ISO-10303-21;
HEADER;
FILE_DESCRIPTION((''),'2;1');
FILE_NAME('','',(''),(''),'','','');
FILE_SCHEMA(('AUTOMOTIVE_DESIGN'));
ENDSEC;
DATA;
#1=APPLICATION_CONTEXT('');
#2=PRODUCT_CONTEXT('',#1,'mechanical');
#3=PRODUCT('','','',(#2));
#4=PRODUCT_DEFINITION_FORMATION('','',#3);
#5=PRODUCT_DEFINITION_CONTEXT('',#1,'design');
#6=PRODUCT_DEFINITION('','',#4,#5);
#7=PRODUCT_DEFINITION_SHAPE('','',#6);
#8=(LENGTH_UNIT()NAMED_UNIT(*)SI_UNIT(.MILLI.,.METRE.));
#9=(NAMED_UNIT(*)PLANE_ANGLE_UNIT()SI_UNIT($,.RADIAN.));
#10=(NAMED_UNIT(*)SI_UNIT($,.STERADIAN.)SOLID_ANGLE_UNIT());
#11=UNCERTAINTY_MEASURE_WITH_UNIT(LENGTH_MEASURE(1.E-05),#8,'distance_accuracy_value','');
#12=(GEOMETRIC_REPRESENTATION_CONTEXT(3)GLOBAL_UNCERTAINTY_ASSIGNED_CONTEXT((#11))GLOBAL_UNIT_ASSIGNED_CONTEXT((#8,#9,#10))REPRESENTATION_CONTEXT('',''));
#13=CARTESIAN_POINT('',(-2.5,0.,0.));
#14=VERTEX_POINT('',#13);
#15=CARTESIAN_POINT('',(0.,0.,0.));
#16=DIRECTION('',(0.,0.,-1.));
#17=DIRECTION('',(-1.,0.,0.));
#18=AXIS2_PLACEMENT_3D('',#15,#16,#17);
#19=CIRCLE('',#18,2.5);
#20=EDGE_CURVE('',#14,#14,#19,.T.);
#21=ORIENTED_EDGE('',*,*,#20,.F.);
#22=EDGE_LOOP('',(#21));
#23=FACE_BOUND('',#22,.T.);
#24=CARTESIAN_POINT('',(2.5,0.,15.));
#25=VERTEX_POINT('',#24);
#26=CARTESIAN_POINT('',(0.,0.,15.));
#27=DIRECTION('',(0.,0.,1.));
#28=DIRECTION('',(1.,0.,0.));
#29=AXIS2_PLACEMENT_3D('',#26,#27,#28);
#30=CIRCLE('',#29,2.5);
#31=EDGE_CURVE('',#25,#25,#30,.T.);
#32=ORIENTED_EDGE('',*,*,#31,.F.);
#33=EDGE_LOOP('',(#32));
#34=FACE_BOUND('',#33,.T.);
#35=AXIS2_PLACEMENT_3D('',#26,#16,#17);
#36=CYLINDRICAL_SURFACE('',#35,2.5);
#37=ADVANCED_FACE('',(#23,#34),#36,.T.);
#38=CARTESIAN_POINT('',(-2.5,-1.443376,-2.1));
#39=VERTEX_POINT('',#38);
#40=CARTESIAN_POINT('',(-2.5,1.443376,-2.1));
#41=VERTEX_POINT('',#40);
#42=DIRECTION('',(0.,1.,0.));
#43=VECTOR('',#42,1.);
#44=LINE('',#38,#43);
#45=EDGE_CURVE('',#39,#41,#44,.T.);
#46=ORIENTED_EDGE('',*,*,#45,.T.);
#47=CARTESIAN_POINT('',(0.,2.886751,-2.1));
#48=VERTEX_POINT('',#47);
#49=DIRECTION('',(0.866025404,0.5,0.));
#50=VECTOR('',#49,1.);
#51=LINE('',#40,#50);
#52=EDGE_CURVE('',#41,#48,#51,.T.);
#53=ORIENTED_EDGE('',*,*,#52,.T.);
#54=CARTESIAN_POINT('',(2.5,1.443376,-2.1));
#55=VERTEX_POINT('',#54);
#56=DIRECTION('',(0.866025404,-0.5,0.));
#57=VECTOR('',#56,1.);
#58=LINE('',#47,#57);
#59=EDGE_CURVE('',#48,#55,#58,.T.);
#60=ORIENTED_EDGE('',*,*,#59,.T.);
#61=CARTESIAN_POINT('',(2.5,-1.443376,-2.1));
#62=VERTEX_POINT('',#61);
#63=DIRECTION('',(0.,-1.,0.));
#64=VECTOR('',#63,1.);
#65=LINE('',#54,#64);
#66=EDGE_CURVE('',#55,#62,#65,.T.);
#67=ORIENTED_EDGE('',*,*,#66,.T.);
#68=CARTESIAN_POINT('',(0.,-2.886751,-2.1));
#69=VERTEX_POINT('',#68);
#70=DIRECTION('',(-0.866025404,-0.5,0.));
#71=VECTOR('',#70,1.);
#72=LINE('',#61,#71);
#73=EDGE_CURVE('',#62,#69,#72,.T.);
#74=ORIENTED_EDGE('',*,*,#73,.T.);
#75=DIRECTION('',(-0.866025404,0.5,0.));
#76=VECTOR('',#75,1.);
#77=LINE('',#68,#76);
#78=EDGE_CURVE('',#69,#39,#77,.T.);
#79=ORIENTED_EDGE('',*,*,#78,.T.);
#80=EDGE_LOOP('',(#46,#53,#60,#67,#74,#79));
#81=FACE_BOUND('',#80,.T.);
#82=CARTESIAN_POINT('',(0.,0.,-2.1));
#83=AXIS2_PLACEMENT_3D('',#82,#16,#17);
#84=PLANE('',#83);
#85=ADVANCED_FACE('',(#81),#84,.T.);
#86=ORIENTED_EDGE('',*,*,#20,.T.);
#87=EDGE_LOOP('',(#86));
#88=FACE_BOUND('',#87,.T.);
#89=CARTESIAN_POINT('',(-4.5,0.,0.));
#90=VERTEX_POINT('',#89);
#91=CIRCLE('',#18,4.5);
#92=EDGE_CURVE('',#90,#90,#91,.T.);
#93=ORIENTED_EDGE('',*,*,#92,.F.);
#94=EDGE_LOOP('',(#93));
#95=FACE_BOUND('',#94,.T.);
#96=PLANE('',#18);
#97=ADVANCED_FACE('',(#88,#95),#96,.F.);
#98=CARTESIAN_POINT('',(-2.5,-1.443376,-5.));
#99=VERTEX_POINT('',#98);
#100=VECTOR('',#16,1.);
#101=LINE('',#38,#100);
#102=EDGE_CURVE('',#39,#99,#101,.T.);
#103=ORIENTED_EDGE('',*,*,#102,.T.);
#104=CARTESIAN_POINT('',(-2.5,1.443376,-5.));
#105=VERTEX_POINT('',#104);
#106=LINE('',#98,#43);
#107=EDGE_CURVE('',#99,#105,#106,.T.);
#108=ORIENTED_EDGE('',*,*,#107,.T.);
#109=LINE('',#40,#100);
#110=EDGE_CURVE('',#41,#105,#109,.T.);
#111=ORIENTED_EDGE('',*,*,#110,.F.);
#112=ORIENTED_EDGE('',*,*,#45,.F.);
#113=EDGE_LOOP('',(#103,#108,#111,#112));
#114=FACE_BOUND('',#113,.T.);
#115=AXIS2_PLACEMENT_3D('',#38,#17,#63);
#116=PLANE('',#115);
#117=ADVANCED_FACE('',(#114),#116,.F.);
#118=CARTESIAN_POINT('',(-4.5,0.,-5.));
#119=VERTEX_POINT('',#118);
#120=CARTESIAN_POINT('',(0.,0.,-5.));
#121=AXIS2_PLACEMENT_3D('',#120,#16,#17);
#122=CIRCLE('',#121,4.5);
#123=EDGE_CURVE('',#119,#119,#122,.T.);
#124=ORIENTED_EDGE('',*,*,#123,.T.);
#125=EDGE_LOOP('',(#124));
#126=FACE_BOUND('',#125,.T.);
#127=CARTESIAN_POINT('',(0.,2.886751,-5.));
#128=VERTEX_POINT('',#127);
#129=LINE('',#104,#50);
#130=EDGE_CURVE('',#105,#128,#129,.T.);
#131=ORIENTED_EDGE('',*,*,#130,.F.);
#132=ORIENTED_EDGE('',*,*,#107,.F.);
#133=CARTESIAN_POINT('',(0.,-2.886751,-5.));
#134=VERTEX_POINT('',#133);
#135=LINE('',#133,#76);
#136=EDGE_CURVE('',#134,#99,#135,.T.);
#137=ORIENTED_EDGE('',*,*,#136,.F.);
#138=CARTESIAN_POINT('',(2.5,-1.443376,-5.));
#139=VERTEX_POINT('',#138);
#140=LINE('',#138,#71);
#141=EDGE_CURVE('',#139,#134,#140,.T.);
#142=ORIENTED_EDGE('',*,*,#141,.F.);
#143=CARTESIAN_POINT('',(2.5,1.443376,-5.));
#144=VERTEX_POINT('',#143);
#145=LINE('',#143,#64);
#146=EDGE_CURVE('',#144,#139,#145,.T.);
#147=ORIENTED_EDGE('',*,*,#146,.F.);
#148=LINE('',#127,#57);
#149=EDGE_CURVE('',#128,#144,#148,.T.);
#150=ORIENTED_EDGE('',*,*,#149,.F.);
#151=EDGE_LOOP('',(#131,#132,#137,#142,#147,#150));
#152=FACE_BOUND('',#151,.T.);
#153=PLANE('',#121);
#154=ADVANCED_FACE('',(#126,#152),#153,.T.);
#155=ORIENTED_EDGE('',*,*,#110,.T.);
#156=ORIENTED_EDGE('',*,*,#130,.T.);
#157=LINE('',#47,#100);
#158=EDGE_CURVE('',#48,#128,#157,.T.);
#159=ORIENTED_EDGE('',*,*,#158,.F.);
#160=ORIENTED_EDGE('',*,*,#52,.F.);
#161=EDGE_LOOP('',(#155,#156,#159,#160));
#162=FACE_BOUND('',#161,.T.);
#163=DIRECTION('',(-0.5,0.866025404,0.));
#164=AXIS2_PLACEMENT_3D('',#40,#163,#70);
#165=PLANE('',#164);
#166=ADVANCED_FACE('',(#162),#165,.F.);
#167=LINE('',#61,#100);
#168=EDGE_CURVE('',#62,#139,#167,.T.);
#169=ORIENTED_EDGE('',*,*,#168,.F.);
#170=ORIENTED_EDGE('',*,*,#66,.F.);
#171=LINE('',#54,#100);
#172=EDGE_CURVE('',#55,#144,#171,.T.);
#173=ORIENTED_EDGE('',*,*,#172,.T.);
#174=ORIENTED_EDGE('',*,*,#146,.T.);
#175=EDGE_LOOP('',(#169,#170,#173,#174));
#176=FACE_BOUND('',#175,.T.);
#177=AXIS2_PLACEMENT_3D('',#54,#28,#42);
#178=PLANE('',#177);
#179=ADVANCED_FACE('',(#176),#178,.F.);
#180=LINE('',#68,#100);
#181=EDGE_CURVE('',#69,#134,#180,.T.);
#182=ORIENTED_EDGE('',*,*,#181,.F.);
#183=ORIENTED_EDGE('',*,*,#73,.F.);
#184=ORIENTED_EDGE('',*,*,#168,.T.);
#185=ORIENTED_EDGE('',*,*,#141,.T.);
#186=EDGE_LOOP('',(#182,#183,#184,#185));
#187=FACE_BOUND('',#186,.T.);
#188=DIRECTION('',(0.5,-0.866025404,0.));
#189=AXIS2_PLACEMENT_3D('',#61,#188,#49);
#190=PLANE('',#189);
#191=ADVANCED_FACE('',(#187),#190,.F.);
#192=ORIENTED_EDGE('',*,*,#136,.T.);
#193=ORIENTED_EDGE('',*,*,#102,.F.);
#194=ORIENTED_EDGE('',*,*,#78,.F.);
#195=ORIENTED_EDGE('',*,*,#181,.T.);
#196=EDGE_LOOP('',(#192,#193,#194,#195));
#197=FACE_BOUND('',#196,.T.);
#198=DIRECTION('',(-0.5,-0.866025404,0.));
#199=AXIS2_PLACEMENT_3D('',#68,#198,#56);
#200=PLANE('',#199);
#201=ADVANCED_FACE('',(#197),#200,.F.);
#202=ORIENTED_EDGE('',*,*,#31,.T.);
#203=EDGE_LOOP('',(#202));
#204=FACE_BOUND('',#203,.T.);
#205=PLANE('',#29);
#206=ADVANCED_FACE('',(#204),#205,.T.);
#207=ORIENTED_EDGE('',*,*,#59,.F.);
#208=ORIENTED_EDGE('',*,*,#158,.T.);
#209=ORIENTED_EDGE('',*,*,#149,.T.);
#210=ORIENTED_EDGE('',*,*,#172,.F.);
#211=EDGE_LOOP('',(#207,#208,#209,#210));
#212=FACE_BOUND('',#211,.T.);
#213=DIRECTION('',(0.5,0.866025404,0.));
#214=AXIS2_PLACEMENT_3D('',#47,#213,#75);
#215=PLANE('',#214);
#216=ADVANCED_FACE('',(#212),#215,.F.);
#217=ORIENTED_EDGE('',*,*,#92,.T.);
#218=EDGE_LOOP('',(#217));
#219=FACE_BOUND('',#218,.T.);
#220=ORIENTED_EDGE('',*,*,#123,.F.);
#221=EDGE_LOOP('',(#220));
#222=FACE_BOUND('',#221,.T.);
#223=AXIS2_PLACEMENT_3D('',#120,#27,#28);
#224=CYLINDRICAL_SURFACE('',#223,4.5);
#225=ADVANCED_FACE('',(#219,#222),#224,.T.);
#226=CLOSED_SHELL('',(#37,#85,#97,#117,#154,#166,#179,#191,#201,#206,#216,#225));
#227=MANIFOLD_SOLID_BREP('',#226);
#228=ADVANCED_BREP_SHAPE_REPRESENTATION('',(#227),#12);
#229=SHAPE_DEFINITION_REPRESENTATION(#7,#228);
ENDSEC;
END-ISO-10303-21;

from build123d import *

# Parameters (mm, degrees)
SKETCH_1_R          = 2.5
EXTRUDE_1_DEPTH     = 15
SKETCH_2_R          = 4.5
EXTRUDE_2_DEPTH     = 5
CUT_EXTRUDE_1_DEPTH = 2.9


with BuildPart() as part:
    # 草图1 → 凸台-拉伸1 (new body)
    with BuildSketch(Plane.XY):
        Circle(SKETCH_1_R)
    extrude(amount=EXTRUDE_1_DEPTH)

    # 草图2 → 凸台-拉伸2 (add)
    with BuildSketch(Plane(origin=(0, 0, 0), x_dir=(-1, 0, 0), z_dir=(0, 0, -1))):
        Circle(SKETCH_2_R)
    extrude(amount=EXTRUDE_2_DEPTH)

    # 草图3 → 切除-拉伸1 (cut)
    with BuildSketch(Plane(origin=(0, 0, -5), x_dir=(-1, 0, 0), z_dir=(0, 0, -1))):
        Polygon((0, 2.886751346), (-2.5, 1.443375673), (-2.5, -1.443375673), (0, -2.886751346), (2.5, -1.443375673), (2.5, 1.443375673), align=None)
    extrude(amount=-CUT_EXTRUDE_1_DEPTH, mode=Mode.SUBTRACT)


solid = part.part
